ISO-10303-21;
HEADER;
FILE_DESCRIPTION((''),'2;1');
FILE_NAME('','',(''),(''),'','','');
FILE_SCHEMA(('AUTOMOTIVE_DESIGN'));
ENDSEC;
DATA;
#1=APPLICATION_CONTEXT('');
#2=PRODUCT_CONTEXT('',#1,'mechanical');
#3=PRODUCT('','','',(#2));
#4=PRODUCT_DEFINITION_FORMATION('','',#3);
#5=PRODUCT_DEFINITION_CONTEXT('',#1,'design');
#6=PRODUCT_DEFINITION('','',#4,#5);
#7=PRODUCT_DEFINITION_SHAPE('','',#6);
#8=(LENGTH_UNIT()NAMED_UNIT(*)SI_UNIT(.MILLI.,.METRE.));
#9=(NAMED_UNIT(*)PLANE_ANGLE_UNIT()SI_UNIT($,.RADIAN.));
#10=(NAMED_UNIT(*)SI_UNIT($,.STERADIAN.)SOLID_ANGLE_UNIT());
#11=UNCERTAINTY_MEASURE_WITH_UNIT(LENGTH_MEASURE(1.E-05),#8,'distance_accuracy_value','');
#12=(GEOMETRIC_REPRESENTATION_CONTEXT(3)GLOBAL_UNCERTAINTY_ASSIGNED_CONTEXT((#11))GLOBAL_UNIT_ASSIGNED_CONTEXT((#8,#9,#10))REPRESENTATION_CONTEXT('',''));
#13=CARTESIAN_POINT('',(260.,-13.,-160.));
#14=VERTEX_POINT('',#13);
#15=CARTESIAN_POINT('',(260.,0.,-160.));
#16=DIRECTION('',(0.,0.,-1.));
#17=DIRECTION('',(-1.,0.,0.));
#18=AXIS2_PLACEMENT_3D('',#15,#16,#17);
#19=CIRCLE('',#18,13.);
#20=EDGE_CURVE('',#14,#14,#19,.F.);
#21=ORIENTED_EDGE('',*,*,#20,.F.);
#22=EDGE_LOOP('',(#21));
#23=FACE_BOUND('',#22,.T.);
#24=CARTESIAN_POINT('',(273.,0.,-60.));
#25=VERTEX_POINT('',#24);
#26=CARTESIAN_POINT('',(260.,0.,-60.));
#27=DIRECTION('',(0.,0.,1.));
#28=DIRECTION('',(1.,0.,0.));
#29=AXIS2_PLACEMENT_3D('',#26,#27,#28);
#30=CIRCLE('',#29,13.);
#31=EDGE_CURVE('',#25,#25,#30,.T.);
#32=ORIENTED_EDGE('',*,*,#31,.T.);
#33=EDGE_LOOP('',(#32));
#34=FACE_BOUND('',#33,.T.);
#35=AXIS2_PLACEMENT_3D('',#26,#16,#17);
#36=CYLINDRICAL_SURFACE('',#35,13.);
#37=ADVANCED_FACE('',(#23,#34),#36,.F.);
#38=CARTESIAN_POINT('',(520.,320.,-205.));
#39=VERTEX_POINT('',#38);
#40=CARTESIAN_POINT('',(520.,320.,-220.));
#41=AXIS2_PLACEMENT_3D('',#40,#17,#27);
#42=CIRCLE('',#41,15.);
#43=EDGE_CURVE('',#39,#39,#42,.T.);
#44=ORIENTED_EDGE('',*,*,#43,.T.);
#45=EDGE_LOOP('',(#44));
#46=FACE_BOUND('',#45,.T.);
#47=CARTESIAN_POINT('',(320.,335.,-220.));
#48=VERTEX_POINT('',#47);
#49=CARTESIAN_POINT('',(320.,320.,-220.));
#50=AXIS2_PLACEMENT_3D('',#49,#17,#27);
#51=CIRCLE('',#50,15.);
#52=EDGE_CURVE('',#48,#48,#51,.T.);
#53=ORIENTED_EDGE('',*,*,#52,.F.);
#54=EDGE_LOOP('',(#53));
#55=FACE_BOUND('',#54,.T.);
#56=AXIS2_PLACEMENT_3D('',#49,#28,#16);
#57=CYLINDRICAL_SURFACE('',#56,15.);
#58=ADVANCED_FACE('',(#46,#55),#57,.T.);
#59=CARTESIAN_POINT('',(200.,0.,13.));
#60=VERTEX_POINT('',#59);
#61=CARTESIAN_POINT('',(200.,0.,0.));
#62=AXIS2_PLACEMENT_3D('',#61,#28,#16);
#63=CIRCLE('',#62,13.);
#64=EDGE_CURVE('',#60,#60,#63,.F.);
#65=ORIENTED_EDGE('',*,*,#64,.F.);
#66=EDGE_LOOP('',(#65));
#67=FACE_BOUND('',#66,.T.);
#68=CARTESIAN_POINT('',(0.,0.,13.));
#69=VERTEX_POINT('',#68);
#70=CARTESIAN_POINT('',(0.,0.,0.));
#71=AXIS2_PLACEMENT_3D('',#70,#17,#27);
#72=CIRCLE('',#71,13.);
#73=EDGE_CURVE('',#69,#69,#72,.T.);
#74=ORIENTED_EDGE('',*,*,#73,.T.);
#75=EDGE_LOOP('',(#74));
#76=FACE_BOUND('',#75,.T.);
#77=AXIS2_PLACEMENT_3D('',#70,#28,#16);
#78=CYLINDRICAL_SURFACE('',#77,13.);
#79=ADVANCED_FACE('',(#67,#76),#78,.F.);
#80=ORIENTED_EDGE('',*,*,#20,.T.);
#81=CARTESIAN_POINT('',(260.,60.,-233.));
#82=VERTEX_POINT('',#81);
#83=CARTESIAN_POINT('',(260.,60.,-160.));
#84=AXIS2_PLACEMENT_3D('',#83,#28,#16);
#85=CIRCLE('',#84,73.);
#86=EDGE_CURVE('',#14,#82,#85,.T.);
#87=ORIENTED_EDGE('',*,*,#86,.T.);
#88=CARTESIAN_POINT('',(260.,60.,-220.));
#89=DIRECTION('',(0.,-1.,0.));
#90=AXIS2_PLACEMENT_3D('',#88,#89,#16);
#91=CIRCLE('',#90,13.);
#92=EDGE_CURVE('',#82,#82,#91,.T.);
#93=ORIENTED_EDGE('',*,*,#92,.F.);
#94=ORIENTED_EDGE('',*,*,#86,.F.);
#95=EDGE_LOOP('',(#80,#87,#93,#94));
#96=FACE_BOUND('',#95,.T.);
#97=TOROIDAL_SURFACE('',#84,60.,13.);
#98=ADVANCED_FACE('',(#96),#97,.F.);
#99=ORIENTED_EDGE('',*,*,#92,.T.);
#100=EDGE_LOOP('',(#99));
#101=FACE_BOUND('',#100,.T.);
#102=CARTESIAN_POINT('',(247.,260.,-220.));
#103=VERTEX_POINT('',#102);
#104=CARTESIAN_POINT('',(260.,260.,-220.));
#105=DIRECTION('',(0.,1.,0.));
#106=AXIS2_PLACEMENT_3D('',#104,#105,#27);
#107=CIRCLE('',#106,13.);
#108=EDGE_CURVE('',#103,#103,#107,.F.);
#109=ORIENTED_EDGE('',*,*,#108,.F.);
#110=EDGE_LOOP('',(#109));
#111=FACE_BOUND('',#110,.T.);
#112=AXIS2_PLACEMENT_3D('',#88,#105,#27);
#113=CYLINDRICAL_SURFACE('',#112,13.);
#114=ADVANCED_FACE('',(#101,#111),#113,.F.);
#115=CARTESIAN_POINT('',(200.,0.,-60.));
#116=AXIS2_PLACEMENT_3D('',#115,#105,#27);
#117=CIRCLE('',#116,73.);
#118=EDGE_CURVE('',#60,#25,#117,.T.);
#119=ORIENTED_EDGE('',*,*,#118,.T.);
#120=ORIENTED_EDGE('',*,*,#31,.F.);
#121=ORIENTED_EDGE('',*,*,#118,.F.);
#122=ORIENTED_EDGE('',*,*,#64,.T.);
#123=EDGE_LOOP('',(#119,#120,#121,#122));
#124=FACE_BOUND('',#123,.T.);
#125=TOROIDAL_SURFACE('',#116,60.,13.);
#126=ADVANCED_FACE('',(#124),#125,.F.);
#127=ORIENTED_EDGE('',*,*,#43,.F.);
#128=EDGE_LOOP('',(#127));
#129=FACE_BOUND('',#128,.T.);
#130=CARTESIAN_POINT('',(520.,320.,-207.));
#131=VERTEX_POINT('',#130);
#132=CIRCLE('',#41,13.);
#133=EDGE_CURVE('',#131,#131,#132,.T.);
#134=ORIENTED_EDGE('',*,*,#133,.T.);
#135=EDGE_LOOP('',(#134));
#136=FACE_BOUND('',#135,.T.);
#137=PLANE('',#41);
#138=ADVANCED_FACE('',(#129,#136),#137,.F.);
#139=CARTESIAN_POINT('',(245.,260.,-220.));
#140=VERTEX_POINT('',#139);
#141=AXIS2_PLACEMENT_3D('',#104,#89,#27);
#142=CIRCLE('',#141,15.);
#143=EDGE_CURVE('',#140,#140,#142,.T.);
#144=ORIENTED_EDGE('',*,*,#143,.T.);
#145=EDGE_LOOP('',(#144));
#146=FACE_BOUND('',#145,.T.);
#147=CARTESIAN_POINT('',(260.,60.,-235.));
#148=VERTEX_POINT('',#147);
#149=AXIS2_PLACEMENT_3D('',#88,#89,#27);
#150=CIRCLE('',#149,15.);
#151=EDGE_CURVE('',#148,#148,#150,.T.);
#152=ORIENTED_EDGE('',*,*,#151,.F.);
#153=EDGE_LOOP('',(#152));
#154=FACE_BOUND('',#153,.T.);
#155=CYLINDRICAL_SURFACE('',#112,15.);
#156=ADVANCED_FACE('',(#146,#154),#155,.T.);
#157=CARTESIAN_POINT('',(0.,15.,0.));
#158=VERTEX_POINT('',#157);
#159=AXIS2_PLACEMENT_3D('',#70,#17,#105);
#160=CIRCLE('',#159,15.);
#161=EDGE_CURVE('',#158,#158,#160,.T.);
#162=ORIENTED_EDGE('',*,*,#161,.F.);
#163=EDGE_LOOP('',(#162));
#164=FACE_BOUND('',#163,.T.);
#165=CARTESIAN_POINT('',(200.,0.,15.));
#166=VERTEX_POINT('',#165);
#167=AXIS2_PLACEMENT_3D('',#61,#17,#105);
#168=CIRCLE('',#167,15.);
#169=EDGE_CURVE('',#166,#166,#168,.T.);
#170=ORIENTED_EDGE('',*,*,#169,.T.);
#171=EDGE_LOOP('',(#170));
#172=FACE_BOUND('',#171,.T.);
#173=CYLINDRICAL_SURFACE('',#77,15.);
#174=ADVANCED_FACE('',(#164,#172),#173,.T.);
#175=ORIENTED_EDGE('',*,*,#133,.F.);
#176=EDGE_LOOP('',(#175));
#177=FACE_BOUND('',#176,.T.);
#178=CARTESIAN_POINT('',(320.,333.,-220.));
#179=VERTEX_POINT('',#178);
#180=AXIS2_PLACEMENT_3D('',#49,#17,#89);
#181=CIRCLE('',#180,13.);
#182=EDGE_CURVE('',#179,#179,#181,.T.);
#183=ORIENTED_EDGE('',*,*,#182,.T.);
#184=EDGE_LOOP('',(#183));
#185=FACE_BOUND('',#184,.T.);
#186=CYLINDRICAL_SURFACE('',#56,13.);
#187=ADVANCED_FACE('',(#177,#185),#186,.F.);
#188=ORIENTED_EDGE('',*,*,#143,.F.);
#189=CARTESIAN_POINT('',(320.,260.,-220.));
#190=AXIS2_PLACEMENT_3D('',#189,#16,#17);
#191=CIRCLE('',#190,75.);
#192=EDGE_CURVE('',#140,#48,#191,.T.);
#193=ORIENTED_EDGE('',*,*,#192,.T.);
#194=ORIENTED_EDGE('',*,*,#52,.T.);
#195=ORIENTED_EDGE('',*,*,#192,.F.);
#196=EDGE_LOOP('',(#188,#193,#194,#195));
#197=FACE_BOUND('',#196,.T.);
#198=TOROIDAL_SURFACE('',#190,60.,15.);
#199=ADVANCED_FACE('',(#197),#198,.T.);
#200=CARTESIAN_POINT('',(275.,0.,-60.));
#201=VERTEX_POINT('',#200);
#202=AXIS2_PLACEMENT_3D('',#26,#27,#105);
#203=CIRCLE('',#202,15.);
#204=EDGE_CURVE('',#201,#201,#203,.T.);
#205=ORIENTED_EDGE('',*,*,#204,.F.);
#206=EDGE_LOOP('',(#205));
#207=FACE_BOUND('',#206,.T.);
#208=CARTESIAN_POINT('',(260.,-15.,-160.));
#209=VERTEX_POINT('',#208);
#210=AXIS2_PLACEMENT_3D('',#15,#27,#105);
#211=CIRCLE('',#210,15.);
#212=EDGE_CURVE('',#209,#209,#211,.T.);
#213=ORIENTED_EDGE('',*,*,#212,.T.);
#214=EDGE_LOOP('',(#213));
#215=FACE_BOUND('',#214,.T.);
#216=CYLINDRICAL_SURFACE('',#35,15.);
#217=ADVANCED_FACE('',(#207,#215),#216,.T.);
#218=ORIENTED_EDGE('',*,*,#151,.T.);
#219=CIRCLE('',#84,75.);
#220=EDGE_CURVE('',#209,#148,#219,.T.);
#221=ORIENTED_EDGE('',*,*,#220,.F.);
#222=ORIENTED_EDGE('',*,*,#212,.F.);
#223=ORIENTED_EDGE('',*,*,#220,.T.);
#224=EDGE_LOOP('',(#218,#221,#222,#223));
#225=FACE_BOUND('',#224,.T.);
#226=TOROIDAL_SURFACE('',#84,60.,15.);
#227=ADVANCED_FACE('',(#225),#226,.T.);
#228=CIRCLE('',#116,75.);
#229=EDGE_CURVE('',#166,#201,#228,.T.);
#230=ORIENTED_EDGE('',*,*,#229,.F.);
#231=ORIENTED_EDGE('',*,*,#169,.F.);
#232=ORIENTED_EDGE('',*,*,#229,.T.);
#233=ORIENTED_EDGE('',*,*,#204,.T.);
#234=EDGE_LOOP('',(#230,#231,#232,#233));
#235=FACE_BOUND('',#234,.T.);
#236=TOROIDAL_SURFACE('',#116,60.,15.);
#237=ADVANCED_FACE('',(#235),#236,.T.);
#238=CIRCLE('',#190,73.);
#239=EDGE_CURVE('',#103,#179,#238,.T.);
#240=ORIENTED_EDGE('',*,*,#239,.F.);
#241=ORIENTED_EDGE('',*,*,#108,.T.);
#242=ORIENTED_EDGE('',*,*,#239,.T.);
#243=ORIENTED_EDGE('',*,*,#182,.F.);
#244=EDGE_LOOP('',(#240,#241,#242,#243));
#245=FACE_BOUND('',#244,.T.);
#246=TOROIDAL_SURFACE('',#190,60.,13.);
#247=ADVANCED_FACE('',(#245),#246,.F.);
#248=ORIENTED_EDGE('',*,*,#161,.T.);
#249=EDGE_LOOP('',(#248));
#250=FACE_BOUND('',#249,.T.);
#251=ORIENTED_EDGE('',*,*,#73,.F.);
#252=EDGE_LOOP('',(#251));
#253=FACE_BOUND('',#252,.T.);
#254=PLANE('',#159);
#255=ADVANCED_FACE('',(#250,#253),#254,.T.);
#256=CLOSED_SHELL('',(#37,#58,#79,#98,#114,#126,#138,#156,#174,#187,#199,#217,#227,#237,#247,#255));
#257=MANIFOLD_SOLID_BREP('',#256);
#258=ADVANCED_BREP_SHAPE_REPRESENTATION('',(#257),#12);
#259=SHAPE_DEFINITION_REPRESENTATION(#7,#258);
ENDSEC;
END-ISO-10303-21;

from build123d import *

# Parameters (mm, degrees)
SWEEP_THIN1_PROFILE_R   = 15
SWEEP_THIN1_PROFILE_R_2 = 13


with BuildPart() as part:
    # Sweep-Thin1: sweep along a curve in space
    with BuildLine() as sweep_thin1_path:
        Line((0, 0, 0), (200, 0, 0))
        ThreePointArc((200, 0, 0), (242.426406871, 0, -17.573593129), (260, 0, -60))
        Line((260, 0, -60), (260, 0, -160))
        ThreePointArc((260, 0, -160), (260, 17.573593129, -202.426406871), (260, 60, -220))
        Line((260, 60, -220), (260, 260, -220))
        ThreePointArc((260, 260, -220), (277.573593129, 302.426406871, -220), (320, 320, -220))
        Line((320, 320, -220), (520, 320, -220))
    # Sweep-Thin1 profile (on start of the path) → Sweep-Thin1 (sweep)
    with BuildSketch(Plane(origin=(0, 0, 0), x_dir=(0, 0, 1), z_dir=(1, 0, 0))):
        Circle(SWEEP_THIN1_PROFILE_R)
        Circle(SWEEP_THIN1_PROFILE_R_2, mode=Mode.SUBTRACT)
    sweep(path=sweep_thin1_path.line)


solid = part.part
